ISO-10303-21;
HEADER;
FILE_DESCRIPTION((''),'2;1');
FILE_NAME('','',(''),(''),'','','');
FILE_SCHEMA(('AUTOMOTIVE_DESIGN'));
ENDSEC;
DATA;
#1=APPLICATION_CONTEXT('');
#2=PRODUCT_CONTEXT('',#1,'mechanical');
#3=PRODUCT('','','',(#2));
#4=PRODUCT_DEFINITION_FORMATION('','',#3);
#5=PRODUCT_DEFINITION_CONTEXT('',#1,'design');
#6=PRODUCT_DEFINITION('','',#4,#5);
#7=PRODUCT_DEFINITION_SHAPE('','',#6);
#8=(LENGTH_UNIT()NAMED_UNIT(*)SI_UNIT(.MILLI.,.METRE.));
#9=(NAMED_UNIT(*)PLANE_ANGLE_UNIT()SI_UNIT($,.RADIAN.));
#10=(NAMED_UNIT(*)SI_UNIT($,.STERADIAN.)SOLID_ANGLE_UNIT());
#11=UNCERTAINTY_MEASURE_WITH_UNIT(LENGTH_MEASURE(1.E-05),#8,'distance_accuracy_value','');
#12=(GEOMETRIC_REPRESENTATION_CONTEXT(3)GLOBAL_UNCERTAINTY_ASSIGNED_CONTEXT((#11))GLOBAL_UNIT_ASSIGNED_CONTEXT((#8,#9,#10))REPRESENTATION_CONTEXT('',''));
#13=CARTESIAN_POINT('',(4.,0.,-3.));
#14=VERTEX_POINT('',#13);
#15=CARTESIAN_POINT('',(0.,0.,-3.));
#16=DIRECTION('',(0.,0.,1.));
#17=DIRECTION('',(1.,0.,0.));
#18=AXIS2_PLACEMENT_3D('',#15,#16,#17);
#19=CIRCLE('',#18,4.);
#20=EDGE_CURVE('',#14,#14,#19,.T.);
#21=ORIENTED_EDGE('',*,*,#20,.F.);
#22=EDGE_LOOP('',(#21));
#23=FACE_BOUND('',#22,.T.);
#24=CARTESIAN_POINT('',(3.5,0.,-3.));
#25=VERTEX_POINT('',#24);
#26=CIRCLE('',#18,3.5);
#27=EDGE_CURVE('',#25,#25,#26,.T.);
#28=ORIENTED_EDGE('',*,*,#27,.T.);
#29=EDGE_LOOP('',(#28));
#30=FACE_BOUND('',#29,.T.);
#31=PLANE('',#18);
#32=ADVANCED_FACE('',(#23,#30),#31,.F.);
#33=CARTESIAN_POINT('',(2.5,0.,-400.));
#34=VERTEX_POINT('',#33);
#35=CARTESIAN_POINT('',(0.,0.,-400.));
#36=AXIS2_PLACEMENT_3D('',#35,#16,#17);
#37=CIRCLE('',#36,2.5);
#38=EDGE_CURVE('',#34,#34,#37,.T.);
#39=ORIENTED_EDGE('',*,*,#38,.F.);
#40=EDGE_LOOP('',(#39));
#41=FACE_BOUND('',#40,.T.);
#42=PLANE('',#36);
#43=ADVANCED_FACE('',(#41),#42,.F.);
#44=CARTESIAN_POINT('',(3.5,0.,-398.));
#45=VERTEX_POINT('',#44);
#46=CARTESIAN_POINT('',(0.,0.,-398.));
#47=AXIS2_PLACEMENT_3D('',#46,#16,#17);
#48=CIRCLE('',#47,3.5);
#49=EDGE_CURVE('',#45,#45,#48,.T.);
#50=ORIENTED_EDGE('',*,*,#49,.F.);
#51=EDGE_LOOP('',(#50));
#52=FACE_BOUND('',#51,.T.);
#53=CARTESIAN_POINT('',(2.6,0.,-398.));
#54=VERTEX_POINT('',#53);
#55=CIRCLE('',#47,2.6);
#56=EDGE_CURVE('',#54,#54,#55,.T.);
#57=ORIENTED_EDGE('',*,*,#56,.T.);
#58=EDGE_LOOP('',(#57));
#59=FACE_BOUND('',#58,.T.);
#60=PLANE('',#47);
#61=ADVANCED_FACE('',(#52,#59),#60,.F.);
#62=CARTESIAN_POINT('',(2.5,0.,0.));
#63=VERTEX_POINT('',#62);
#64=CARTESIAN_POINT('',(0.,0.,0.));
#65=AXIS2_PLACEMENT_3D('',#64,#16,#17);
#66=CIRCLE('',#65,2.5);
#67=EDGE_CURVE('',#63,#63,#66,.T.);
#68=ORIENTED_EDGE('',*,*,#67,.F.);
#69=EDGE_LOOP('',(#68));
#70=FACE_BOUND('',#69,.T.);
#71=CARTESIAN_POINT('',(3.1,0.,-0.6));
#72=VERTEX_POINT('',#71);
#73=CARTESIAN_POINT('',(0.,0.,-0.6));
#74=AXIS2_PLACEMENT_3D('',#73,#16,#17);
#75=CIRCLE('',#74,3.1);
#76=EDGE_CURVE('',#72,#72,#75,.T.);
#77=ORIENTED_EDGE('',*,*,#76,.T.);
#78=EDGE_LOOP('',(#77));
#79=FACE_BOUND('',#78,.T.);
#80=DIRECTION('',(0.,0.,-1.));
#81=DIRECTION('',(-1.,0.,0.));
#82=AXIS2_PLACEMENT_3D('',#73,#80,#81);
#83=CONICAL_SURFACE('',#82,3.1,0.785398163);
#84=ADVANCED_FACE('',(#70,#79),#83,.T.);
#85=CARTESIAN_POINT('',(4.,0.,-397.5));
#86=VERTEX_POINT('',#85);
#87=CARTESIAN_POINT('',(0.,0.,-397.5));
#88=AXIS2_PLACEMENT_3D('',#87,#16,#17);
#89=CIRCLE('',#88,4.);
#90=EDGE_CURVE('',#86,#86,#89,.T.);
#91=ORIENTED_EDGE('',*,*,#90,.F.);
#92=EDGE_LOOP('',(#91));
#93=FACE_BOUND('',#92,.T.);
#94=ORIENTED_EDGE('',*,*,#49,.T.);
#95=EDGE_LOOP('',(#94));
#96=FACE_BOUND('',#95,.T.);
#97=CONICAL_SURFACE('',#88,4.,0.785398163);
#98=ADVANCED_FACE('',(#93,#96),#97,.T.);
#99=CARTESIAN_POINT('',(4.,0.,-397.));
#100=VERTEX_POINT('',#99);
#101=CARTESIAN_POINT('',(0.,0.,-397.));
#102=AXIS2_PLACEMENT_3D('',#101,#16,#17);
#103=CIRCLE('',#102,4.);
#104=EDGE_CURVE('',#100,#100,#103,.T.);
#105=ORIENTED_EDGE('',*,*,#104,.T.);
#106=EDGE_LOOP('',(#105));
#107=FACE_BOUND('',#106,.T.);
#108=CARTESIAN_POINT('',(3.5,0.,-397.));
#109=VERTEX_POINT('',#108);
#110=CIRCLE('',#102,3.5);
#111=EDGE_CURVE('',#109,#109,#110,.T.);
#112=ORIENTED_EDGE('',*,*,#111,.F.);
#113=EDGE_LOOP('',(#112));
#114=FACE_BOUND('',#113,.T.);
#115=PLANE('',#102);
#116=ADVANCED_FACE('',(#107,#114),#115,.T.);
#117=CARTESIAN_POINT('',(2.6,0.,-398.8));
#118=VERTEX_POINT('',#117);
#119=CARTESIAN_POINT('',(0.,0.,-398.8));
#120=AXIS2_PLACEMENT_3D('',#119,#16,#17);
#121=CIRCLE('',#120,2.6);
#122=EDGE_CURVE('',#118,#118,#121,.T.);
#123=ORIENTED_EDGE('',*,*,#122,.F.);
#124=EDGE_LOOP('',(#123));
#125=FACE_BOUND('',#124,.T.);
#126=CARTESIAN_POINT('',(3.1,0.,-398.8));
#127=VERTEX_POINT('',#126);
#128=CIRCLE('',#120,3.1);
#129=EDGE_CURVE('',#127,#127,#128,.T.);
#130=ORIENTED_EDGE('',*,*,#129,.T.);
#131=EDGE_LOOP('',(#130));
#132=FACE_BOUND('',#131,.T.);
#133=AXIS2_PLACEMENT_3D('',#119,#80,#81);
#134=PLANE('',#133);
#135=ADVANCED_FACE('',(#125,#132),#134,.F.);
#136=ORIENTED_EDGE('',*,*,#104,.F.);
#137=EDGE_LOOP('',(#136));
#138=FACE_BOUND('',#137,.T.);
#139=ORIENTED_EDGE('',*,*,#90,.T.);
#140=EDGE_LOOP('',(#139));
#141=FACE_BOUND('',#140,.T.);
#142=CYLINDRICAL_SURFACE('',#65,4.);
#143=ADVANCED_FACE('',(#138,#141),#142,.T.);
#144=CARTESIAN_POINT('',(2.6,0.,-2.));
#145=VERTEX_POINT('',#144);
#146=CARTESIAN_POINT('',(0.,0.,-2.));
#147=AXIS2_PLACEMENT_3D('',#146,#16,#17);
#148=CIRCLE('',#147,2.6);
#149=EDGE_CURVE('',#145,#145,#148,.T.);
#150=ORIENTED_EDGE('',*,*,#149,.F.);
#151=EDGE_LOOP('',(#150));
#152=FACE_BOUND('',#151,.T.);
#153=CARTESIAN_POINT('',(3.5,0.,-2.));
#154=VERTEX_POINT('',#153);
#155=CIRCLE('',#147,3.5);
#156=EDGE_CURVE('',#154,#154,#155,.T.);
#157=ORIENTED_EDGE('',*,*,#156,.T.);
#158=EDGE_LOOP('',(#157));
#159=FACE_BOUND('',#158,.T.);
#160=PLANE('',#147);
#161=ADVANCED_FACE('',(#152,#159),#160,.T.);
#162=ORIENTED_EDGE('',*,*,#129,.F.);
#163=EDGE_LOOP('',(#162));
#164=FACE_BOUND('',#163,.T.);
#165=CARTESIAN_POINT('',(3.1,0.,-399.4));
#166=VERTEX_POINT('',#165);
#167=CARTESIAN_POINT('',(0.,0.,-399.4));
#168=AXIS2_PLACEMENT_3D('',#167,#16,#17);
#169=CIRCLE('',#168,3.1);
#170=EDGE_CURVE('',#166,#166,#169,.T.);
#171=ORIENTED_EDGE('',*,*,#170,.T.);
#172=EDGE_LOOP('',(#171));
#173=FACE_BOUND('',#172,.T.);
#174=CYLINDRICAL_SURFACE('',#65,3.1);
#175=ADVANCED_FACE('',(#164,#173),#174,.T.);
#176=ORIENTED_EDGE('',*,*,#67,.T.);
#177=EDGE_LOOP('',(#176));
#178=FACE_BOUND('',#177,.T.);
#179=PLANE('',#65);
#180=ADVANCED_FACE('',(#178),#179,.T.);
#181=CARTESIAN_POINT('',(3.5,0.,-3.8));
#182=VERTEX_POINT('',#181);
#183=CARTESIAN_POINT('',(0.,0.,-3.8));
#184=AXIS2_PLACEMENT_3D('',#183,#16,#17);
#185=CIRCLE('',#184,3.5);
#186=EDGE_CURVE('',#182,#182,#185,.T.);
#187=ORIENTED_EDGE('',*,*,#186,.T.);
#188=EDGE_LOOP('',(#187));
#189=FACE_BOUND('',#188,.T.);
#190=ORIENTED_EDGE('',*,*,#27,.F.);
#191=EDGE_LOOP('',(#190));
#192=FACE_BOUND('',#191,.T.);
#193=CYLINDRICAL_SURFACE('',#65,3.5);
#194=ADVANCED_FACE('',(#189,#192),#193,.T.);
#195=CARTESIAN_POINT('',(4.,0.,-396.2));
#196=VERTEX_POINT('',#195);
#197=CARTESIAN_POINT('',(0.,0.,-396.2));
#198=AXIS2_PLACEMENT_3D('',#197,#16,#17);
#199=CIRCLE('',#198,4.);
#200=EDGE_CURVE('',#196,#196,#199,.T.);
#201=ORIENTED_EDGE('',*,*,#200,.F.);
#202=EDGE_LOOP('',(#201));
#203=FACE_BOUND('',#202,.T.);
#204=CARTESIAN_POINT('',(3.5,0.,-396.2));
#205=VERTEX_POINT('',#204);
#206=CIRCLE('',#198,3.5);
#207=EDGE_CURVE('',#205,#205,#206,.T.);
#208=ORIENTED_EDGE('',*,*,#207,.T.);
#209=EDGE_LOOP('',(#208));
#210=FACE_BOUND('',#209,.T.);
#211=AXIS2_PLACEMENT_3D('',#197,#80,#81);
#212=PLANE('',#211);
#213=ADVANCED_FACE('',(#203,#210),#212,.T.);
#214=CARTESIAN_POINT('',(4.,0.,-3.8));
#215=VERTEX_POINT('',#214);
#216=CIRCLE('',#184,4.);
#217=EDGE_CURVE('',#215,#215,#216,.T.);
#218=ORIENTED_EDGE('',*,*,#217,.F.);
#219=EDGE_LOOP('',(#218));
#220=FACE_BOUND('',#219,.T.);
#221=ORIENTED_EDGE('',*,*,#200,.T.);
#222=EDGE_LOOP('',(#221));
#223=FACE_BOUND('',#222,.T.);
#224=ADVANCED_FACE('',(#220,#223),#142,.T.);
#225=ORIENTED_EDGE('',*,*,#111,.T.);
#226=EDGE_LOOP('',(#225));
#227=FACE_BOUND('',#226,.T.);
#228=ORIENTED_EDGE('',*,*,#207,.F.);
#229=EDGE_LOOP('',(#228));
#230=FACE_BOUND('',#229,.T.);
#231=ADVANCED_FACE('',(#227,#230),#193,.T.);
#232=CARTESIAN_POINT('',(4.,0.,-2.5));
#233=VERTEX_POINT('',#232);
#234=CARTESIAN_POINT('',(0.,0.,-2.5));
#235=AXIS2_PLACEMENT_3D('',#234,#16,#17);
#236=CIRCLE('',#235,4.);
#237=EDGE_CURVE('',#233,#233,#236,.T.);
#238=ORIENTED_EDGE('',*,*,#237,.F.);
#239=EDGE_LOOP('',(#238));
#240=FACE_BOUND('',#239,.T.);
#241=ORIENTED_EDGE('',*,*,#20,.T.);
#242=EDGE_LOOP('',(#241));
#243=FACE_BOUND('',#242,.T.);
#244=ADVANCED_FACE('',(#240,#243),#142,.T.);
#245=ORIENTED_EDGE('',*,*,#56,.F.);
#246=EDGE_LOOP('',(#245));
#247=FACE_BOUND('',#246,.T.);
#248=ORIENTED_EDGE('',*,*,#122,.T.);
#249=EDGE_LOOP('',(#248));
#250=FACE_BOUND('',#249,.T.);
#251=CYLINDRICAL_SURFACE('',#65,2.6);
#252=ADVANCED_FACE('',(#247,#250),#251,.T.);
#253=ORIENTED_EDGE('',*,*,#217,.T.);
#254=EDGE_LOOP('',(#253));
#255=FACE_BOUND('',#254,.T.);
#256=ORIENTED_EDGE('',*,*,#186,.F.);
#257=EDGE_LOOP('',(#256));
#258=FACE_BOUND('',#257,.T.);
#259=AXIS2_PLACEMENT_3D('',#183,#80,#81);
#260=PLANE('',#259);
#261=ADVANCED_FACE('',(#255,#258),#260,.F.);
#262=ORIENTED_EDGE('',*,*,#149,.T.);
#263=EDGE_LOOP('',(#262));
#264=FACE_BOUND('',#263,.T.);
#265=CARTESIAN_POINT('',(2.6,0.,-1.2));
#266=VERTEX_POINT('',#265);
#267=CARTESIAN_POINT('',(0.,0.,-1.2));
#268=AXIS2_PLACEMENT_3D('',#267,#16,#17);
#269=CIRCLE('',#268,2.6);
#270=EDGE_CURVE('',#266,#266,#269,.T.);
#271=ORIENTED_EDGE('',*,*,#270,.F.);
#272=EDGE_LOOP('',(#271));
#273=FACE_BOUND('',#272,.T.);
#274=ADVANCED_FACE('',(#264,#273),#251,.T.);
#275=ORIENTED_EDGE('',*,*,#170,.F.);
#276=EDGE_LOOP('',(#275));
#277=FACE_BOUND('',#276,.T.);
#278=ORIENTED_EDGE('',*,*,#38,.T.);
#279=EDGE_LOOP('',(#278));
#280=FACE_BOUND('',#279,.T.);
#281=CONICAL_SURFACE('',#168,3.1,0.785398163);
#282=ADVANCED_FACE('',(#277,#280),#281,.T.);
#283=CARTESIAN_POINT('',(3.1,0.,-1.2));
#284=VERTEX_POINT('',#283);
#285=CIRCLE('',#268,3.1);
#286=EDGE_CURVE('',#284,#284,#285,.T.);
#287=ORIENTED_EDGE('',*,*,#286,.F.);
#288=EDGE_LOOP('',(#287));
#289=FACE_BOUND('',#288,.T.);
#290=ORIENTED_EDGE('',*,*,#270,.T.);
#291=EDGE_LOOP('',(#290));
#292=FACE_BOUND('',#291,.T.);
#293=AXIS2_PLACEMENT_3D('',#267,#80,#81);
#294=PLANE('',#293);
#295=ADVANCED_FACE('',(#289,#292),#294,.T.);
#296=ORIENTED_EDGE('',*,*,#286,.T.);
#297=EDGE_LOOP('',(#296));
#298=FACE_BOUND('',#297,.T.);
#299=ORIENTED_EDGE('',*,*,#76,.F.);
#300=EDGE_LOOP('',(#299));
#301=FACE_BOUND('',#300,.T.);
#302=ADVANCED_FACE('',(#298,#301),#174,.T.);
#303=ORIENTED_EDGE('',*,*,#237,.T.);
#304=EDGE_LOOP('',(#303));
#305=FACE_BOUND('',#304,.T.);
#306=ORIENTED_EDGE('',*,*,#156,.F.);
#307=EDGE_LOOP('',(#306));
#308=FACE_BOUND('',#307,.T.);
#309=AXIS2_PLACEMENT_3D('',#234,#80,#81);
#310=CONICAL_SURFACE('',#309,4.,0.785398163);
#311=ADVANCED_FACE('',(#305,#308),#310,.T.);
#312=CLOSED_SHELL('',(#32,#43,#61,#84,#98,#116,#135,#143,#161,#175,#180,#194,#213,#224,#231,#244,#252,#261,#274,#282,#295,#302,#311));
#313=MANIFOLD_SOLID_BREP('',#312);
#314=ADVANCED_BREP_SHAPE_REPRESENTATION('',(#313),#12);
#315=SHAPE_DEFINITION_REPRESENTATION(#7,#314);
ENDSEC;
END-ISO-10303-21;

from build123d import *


with BuildPart() as part:
    # Esboço2 → Revolução1 (revolve)
    with BuildSketch(Plane(origin=(0, 0, 0), x_dir=(1, 0, 0), z_dir=(0, 1, 0)), mode=Mode.PRIVATE) as revolu_o1_sk:
        Polygon((-2.5, 0), (0, 0), (0, 400), (-2.5, 400), (-3.1, 399.4), (-3.1, 398.8), (-2.6, 398.8), (-2.6, 398), (-3.5, 398), (-4, 397.5), (-4, 397), (-3.5, 397), (-3.5, 396.2), (-4, 396.2), (-4, 3.8), (-3.5, 3.8), (-3.5, 3), (-4, 3), (-4, 2.5), (-3.5, 2), (-2.6, 2), (-2.6, 1.2), (-3.1, 1.2), (-3.1, 0.6), align=None)
    revolve(revolu_o1_sk.sketch.rotate(Axis((0, 0, 0), (0, 0, -1)), 180), axis=Axis((0, 0, 0), (0, 0, -1)))


solid = part.part
